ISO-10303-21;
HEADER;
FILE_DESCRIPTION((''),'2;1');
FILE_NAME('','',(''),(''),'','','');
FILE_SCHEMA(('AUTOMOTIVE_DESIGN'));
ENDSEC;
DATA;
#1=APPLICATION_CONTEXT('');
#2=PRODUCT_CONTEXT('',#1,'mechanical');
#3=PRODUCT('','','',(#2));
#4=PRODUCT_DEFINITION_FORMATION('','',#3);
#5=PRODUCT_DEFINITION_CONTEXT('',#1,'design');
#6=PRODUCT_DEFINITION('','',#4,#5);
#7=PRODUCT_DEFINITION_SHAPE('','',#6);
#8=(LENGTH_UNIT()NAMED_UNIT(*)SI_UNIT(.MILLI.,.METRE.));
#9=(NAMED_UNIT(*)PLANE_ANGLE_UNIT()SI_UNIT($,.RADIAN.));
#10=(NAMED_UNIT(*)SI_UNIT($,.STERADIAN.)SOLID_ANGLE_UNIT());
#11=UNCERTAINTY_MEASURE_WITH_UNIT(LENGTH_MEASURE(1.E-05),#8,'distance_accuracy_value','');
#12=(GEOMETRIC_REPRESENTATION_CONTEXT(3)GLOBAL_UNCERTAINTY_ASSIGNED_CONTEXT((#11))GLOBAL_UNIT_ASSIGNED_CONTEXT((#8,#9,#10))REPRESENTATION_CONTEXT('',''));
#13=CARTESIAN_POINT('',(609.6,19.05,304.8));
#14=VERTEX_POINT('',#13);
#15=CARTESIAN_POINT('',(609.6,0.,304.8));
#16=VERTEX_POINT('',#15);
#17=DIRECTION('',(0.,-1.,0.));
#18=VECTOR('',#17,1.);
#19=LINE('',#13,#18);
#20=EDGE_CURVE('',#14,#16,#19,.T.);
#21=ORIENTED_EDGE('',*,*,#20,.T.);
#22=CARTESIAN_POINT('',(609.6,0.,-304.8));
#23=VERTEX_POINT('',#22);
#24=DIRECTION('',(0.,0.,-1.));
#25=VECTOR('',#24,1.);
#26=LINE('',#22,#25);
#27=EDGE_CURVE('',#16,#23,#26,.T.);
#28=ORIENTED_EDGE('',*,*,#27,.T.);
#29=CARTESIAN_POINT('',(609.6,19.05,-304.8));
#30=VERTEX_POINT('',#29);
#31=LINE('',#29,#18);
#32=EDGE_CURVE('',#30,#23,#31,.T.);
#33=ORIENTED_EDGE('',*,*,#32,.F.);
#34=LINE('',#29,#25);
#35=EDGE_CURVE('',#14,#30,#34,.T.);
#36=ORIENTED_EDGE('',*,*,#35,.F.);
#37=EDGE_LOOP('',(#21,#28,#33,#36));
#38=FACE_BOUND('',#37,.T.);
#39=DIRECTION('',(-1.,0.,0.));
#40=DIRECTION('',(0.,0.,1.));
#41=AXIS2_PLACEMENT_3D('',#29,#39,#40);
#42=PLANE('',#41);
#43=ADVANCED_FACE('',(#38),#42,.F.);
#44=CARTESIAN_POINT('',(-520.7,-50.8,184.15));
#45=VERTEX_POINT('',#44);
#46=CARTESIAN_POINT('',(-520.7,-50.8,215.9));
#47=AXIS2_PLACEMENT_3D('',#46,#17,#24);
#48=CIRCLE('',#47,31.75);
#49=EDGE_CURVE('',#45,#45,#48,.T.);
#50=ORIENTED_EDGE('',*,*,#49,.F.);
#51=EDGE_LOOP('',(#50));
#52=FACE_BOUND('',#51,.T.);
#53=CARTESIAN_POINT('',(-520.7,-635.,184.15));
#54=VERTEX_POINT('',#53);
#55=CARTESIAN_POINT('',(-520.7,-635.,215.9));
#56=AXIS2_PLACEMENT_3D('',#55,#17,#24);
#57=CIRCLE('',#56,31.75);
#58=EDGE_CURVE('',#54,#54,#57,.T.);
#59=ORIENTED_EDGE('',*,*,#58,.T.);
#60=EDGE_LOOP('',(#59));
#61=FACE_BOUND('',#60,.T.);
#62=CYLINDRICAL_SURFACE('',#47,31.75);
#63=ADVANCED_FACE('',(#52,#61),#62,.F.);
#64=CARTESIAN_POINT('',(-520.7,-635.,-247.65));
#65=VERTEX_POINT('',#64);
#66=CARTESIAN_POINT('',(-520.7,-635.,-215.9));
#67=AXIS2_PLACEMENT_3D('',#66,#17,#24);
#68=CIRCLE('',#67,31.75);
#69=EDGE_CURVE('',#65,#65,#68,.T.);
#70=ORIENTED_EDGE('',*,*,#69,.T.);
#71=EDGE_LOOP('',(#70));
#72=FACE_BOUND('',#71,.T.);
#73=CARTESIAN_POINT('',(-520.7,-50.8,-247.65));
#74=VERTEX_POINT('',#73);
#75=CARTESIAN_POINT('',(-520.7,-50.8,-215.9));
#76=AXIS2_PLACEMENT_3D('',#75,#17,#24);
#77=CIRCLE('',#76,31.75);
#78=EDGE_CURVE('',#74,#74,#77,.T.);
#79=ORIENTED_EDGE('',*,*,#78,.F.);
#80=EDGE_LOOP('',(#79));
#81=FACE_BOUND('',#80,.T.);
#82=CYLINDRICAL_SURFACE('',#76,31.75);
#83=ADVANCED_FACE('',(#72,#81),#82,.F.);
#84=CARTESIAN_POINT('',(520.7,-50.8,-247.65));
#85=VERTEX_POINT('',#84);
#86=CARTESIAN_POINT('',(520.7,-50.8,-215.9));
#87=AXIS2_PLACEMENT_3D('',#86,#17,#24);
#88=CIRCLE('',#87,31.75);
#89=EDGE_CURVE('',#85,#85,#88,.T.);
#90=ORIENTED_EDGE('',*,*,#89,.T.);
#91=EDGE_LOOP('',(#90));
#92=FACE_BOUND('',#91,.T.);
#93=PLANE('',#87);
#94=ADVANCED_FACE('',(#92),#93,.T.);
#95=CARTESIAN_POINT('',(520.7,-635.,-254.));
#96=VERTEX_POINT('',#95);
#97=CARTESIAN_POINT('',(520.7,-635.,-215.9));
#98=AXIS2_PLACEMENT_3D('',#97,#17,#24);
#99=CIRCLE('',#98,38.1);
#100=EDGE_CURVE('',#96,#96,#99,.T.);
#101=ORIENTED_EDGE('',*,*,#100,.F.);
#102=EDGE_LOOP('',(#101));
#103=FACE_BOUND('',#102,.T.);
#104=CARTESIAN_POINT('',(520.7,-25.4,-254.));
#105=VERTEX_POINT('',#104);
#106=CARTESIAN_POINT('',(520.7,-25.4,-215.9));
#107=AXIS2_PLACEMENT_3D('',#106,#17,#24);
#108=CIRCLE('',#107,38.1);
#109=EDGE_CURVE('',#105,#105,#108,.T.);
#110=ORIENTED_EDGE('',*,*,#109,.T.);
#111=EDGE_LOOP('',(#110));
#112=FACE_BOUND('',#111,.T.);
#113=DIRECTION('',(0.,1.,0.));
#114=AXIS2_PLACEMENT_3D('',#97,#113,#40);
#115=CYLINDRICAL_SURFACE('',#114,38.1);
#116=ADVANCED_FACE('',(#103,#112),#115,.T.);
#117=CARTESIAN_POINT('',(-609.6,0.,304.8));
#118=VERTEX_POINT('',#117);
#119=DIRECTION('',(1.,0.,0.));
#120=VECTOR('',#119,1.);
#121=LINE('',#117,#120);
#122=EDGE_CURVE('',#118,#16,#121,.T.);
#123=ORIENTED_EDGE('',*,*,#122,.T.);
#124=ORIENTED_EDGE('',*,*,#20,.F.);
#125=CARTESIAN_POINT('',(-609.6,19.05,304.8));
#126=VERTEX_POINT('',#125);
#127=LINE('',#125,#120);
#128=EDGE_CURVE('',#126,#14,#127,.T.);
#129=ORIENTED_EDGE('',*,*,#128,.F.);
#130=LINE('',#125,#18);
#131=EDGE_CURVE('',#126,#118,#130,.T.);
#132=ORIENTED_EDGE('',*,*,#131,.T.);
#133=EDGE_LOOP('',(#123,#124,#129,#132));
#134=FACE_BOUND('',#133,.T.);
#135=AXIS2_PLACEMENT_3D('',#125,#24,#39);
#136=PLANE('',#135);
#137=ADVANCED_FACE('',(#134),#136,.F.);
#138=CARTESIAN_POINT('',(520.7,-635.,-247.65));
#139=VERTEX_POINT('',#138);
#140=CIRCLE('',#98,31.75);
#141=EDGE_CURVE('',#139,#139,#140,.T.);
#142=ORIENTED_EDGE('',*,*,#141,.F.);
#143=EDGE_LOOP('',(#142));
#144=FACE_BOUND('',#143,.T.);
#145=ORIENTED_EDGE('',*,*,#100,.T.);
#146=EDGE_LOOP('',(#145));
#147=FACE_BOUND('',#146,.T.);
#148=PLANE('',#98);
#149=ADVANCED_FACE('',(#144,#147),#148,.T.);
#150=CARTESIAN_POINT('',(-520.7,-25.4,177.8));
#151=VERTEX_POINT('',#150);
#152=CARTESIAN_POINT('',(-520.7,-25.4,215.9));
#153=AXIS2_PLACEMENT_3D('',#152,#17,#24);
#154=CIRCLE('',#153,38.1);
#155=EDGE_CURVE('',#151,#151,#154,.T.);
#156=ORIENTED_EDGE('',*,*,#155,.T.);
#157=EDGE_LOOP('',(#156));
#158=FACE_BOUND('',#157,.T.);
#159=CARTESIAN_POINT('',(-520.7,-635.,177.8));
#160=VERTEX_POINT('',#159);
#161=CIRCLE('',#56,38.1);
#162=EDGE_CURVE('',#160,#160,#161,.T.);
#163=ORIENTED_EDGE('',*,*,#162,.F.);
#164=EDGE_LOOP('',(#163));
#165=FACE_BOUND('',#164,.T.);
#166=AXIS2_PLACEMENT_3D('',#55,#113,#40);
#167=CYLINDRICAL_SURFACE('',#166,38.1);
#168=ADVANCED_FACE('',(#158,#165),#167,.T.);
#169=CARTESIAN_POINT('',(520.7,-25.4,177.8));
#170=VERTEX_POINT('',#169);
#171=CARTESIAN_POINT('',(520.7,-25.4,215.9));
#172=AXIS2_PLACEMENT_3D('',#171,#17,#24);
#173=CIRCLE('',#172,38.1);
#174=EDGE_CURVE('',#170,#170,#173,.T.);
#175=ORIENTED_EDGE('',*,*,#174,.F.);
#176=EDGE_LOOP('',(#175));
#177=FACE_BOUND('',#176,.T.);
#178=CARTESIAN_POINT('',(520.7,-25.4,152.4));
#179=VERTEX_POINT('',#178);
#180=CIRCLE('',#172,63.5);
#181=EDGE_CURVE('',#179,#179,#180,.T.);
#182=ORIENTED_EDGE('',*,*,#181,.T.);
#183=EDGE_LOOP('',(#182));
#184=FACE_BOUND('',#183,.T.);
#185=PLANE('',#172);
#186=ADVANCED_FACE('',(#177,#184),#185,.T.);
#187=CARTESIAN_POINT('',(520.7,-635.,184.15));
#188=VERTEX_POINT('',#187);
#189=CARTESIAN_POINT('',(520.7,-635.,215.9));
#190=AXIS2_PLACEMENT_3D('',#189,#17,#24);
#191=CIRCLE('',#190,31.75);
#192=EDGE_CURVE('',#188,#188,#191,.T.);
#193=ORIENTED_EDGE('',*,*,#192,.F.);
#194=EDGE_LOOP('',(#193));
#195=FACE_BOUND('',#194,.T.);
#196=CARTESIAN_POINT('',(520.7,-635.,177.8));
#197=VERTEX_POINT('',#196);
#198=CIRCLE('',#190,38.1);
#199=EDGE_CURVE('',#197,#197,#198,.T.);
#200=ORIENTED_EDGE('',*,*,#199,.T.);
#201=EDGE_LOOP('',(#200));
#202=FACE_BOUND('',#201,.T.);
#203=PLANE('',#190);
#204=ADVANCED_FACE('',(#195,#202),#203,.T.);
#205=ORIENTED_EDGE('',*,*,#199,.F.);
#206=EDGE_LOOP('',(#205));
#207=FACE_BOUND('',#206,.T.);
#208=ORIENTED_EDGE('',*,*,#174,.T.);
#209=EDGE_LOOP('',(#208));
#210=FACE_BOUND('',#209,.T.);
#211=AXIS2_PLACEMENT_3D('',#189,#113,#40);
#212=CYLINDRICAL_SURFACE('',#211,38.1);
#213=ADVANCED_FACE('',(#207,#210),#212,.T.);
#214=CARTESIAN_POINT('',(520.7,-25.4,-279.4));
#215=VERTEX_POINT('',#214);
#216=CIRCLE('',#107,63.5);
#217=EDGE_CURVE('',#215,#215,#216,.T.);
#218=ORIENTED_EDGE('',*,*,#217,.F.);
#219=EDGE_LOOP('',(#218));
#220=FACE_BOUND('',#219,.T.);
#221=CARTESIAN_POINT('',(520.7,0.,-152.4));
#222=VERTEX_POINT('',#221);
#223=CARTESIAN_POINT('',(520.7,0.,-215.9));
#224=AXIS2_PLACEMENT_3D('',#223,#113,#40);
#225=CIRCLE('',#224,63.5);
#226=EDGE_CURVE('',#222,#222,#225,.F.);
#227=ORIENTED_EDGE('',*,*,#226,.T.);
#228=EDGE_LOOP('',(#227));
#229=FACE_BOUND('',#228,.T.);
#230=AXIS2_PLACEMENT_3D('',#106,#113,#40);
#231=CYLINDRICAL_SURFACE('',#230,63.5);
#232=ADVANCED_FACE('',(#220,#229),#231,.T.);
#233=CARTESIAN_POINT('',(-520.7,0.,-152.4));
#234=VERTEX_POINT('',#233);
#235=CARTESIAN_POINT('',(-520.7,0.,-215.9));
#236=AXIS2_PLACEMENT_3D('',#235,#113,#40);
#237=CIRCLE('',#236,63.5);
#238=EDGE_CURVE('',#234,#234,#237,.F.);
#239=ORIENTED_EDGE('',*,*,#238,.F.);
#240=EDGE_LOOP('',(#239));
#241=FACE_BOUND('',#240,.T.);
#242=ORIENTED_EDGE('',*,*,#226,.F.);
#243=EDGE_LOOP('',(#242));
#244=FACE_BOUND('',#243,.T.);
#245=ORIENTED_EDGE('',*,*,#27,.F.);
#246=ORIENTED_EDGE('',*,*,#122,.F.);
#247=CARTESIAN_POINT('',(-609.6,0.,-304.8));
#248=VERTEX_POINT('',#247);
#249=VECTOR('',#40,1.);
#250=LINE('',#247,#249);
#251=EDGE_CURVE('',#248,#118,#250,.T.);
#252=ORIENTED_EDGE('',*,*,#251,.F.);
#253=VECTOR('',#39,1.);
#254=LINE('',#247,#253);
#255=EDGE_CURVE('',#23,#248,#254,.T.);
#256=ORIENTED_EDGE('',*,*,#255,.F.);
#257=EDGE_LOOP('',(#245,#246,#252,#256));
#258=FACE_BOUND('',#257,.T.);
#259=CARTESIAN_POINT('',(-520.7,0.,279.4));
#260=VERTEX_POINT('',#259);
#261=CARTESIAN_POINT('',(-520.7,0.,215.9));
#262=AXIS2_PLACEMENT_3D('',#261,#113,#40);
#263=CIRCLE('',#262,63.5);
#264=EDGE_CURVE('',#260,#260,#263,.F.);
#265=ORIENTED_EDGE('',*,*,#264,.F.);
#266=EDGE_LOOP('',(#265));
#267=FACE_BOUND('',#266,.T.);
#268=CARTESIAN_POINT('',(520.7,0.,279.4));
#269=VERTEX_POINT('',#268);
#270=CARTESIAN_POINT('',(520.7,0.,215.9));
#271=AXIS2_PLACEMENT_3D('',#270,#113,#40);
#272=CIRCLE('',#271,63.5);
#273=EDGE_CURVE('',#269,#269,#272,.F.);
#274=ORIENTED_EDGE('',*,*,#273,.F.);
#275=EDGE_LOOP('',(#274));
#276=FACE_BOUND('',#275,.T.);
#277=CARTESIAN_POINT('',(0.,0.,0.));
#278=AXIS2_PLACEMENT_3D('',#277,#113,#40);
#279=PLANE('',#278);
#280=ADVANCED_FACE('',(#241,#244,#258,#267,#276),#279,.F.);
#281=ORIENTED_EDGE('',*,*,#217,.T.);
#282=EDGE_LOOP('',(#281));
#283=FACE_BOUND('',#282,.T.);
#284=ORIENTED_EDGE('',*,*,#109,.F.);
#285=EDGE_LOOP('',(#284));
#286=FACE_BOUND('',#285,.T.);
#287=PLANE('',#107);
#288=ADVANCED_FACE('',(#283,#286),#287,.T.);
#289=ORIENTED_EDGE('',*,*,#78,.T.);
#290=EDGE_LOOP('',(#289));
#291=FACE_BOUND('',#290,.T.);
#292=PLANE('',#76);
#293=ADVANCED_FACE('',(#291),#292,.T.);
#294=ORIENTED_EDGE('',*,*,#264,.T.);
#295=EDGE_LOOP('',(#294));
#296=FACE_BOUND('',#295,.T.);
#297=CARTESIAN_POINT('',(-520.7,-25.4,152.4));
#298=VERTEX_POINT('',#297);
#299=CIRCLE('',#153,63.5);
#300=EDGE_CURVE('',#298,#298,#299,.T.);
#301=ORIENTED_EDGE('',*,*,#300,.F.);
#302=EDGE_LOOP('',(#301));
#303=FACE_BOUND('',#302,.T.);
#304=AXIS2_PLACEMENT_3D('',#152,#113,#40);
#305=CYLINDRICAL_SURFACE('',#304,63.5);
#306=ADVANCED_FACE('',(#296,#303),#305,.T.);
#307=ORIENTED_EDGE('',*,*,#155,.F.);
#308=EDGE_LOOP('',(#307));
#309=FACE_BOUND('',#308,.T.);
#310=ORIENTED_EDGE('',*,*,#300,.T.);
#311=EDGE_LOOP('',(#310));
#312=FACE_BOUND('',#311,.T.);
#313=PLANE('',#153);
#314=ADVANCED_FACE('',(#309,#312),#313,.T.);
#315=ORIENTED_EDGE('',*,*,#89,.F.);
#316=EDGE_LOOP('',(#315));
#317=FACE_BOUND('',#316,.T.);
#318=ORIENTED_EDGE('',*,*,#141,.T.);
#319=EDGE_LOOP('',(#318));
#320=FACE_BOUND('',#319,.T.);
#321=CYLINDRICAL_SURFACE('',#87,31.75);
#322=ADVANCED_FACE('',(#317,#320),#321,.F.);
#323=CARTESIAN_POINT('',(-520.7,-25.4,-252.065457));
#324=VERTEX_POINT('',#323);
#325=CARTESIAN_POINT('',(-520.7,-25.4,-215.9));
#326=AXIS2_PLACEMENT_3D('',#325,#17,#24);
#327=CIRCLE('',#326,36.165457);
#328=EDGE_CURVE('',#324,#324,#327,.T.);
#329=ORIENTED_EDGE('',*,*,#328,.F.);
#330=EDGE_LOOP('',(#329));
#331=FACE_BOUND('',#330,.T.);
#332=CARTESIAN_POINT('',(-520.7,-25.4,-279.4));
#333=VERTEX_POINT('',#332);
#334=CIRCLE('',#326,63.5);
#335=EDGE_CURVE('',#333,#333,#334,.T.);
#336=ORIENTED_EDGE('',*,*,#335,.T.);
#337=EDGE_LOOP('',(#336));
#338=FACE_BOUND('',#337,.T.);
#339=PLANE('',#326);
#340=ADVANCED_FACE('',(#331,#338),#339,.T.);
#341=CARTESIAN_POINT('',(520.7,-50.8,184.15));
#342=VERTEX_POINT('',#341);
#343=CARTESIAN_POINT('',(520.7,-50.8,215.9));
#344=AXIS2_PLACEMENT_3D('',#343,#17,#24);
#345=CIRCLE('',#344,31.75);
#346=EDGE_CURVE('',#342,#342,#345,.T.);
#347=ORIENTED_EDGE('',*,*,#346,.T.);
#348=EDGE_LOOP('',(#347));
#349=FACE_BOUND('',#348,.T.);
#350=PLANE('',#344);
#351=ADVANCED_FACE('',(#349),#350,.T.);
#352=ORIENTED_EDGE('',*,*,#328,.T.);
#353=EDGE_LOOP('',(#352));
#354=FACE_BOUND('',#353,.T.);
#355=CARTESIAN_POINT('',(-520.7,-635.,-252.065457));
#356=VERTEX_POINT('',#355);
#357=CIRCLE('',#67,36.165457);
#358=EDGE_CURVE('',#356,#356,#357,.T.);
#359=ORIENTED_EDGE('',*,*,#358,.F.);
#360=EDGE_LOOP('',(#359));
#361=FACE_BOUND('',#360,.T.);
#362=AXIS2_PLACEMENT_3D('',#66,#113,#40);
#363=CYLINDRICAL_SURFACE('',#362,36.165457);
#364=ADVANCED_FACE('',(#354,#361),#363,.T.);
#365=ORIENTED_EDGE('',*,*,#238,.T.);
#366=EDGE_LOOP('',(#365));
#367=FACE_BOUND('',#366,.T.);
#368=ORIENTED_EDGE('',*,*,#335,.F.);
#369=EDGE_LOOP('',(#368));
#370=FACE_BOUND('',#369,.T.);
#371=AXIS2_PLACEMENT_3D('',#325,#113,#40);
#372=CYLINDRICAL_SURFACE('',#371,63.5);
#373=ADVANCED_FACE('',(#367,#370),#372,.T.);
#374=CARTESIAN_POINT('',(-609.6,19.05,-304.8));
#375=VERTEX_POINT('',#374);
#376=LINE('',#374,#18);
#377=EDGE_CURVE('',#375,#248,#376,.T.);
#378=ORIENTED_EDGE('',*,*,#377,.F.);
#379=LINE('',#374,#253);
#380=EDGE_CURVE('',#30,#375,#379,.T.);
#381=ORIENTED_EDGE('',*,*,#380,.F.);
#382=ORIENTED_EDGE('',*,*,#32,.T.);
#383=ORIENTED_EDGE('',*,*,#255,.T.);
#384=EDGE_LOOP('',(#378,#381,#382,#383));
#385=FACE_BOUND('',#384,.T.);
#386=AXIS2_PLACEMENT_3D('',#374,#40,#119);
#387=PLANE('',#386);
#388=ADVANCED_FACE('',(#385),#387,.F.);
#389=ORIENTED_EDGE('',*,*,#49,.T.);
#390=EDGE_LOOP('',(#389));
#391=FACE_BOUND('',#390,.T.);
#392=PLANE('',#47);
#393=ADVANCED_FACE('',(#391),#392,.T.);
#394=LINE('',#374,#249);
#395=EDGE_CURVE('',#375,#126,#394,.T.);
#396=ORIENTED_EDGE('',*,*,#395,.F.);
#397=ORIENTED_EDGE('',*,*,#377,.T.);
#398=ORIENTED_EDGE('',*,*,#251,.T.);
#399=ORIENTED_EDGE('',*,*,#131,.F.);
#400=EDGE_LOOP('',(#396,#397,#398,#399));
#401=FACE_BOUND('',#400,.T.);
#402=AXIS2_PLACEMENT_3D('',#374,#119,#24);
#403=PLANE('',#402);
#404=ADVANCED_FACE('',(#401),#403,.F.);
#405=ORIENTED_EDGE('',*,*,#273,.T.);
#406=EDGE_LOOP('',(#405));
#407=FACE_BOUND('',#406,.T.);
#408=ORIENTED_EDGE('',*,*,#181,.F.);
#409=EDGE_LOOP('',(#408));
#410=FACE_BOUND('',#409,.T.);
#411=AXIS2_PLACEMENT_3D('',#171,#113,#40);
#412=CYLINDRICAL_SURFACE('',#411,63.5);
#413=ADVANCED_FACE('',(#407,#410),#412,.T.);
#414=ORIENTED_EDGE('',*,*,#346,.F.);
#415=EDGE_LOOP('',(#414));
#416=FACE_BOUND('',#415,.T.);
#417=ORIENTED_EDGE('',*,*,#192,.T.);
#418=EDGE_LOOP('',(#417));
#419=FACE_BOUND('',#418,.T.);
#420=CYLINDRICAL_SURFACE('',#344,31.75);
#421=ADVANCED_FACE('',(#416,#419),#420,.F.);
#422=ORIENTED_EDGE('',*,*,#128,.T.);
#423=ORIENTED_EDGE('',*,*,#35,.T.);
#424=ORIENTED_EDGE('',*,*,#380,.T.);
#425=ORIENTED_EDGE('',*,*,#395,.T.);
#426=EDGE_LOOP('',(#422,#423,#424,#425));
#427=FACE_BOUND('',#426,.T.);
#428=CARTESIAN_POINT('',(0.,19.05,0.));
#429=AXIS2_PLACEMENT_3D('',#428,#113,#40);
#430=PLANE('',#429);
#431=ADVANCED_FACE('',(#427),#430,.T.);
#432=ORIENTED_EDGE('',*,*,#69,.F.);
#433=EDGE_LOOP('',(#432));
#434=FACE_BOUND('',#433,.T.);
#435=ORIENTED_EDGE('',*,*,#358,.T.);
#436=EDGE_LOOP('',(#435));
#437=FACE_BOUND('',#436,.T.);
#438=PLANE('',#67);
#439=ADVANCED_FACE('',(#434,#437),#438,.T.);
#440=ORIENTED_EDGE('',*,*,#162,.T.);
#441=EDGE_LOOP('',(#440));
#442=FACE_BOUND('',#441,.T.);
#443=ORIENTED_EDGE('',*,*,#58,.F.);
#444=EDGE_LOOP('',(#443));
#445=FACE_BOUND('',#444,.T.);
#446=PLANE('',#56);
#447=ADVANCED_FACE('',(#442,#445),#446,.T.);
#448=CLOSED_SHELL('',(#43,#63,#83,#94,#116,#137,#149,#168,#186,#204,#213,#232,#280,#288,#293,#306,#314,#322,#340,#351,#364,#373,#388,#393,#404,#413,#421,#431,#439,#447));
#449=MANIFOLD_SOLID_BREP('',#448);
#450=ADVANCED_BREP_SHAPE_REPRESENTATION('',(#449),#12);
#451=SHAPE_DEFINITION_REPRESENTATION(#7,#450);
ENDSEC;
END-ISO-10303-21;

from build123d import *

# Parameters (mm, degrees)
SKETCH1_W           = 1219.2
SKETCH1_H           = 609.6
BOSS_EXTRUDE1_DEPTH = 19.05
SKETCH2_R           = 63.5
BOSS_EXTRUDE2_DEPTH = 25.4
SKETCH3_R           = 38.1
SKETCH3_R_2         = 36.165456998
BOSS_EXTRUDE3_DEPTH = 609.6
SKETCH4_R           = 31.75
CUT_EXTRUDE1_DEPTH  = 584.2


with BuildPart() as part:
    # Sketch1 → Boss-Extrude1 (new body)
    with BuildSketch(Plane(origin=(0, 0, 0), x_dir=(1, 0, 0), z_dir=(0, 1, 0))):
        Rectangle(SKETCH1_W, SKETCH1_H)
    extrude(amount=BOSS_EXTRUDE1_DEPTH)

    # Sketch2 → Boss-Extrude2 (add)
    with BuildSketch(Plane.XZ):
        with Locations((-520.7, 215.9)):
            Circle(SKETCH2_R)
        with Locations((-520.7, -215.9)):
            Circle(SKETCH2_R)
        with Locations((520.7, 215.9)):
            Circle(SKETCH2_R)
        with Locations((520.7, -215.9)):
            Circle(SKETCH2_R)
    extrude(amount=BOSS_EXTRUDE2_DEPTH)

    # Sketch3 → Boss-Extrude3 (add)
    with BuildSketch(Plane.XZ.offset(25.4)):
        with Locations((-520.7, 215.9)):
            Circle(SKETCH3_R)
        with Locations((-520.7, -215.9)):
            Circle(SKETCH3_R_2)
        with Locations((520.7, 215.9)):
            Circle(SKETCH3_R)
        with Locations((520.7, -215.9)):
            Circle(SKETCH3_R)
    extrude(amount=BOSS_EXTRUDE3_DEPTH)

    # Sketch4 → Cut-Extrude1 (cut)
    with BuildSketch(Plane.XZ.offset(635)):
        with Locations((-520.7, 215.9)):
            Circle(SKETCH4_R)
        with Locations((520.7, 215.9)):
            Circle(SKETCH4_R)
        with Locations((520.7, -215.9)):
            Circle(SKETCH4_R)
        with Locations((-520.7, -215.9)):
            Circle(SKETCH4_R)
    extrude(amount=-CUT_EXTRUDE1_DEPTH, mode=Mode.SUBTRACT)


solid = part.part
